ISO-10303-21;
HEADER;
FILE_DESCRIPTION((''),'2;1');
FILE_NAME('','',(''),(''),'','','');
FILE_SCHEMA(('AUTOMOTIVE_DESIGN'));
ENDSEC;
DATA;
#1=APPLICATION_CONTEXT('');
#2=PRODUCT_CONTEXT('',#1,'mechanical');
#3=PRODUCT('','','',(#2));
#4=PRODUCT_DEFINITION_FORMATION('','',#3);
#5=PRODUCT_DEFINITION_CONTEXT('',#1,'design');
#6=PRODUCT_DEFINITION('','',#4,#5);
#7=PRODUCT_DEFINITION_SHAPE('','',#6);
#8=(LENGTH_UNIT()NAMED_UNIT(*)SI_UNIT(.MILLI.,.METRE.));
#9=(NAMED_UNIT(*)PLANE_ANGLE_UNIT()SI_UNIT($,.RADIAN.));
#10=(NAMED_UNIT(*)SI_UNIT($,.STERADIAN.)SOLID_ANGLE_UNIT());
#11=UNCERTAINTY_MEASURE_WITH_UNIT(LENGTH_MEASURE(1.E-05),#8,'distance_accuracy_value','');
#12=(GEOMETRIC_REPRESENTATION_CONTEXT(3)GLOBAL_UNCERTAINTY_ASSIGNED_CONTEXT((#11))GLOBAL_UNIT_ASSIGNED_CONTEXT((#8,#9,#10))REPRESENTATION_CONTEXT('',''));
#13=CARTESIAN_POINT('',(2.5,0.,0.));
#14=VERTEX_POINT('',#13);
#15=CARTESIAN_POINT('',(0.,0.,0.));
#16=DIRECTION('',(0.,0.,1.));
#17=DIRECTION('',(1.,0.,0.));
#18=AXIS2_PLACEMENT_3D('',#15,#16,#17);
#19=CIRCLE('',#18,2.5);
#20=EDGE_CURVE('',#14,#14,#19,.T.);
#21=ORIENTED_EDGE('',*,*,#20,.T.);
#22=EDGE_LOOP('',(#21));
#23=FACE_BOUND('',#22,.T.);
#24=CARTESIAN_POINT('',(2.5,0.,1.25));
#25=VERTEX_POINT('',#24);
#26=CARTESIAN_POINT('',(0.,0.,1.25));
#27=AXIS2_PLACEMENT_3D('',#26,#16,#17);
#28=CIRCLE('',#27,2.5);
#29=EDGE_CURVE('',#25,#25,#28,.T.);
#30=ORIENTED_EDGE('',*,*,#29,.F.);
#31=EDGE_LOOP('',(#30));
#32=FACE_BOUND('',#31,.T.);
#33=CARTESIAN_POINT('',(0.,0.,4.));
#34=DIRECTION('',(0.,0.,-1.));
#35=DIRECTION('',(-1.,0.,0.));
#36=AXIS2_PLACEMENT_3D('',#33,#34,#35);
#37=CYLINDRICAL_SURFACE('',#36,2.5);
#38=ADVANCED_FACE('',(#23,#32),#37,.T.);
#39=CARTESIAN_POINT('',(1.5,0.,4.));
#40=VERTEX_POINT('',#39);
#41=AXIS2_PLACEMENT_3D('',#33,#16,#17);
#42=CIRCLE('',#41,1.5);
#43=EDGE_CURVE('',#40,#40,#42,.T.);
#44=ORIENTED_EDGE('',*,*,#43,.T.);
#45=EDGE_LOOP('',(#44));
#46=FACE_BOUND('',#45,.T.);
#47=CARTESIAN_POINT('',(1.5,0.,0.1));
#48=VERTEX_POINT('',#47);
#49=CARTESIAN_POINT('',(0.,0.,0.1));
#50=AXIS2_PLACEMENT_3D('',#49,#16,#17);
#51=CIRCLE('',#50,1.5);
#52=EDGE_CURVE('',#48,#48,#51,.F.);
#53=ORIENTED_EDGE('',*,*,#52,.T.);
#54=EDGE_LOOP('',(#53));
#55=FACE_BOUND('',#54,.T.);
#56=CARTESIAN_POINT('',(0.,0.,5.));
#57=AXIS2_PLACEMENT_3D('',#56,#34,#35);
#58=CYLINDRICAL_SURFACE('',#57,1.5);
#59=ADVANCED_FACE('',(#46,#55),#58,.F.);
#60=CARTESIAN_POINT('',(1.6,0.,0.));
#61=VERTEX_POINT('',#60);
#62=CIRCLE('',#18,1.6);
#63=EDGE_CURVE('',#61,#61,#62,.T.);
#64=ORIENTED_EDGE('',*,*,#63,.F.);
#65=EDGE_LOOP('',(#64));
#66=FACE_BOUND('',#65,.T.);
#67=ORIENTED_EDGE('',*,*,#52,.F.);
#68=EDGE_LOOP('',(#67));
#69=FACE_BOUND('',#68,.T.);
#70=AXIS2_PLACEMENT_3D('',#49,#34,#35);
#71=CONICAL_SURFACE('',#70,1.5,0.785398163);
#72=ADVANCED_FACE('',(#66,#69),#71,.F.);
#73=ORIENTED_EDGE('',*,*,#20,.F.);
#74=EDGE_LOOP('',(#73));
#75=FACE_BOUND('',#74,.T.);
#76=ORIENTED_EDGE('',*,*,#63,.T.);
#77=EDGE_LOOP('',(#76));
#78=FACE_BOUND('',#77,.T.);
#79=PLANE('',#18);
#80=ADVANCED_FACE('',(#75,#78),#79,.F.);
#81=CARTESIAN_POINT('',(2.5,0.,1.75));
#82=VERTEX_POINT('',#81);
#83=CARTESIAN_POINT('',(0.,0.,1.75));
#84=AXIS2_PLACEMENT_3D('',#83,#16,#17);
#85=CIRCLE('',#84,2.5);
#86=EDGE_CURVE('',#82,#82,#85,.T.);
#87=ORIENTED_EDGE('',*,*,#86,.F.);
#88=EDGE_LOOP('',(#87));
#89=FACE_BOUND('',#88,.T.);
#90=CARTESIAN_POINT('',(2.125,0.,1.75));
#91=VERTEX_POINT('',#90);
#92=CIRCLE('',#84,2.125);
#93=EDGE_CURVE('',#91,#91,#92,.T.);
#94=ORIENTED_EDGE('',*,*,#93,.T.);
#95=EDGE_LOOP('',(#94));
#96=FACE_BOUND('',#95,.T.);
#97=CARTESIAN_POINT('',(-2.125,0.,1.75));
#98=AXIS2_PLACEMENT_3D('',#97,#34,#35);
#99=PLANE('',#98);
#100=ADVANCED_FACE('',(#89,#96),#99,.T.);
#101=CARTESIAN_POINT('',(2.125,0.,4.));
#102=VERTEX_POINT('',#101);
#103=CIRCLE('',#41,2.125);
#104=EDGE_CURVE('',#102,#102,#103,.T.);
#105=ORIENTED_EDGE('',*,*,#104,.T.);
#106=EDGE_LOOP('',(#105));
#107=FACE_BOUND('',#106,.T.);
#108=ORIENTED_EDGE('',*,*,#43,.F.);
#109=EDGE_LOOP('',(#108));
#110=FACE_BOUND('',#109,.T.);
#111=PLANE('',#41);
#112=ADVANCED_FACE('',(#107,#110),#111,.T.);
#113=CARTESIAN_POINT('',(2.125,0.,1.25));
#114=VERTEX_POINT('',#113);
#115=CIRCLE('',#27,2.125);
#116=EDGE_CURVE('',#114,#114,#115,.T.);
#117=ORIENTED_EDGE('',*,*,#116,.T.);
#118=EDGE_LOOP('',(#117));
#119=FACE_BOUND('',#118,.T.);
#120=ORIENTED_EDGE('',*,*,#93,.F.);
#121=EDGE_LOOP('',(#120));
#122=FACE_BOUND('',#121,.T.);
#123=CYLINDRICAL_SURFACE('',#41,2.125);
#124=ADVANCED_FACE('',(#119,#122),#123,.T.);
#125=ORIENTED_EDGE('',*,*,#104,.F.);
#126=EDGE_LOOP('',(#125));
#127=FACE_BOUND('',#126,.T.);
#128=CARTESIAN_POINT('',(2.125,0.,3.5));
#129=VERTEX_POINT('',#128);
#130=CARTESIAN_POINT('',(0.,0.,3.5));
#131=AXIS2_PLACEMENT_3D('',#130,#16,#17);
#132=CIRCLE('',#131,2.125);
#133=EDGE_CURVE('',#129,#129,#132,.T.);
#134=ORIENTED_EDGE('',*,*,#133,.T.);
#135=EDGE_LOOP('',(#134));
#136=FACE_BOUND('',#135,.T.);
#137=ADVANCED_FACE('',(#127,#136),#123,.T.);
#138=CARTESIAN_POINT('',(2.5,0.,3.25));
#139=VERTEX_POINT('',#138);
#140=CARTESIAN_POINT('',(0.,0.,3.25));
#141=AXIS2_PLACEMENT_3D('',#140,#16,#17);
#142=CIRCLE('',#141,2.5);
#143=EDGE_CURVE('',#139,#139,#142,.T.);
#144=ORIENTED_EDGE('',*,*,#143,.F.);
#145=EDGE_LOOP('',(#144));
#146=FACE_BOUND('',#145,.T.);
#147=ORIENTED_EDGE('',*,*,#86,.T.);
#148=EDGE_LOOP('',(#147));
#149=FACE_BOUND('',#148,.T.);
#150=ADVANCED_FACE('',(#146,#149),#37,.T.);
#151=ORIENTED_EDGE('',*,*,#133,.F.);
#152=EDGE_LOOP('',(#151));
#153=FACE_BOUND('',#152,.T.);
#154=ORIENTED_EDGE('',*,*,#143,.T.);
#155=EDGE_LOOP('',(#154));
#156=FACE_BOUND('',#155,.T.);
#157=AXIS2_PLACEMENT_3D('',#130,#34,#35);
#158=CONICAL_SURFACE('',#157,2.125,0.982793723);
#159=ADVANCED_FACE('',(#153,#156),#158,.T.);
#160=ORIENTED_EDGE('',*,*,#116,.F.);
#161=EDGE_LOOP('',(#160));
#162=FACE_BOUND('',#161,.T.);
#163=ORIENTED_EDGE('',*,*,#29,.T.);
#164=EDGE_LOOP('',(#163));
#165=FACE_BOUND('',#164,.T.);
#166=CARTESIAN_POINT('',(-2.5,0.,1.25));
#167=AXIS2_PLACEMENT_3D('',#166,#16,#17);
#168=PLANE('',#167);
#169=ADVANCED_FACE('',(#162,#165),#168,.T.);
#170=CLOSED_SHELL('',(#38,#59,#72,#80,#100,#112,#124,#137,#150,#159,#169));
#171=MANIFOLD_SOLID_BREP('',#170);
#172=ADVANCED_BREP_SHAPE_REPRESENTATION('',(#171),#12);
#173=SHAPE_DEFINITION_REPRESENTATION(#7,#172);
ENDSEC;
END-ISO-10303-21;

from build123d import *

# Parameters (mm, degrees)
SKETCH1_R           = 2.5
BOSS_EXTRUDE1_DEPTH = 4
SKETCH3_R           = 1.5
CUT_EXTRUDE1_DEPTH  = 5
CHAMFER1_SIZE       = 0.1


with BuildPart() as part:
    # Sketch1 → Boss-Extrude1 (new body)
    with BuildSketch(Plane.XY):
        Circle(SKETCH1_R)
    extrude(amount=BOSS_EXTRUDE1_DEPTH)

    # Sketch2 → Cut-Revolve1 (revolve, cut)
    with BuildSketch(Plane(origin=(0, 0, 0), x_dir=(1, 0, 0), z_dir=(0, 1, 0)), mode=Mode.PRIVATE) as cut_revolve1_sk:
        Polygon((-2.125, -4), (-3, -4), (-3, 0), (-2.5, 0), (-2.5, -1.25), (-2.125, -1.25), (-2.125, -1.75), (-2.5, -1.75), (-2.5, -3.25), (-2.125, -3.5), align=None)
    revolve(cut_revolve1_sk.sketch.rotate(Axis((0, 0, 4), (0, 0, -1)), 180), axis=Axis((0, 0, 4), (0, 0, -1)), mode=Mode.SUBTRACT)

    # Sketch3 → Cut-Extrude1 (cut)
    with BuildSketch(Plane(origin=(0, 0, 0), x_dir=(-1, 0, 0), z_dir=(0, 0, -1))):
        Circle(SKETCH3_R)
    extrude(amount=-CUT_EXTRUDE1_DEPTH, mode=Mode.SUBTRACT)

    # Chamfer1
    chamfer1_edges = [part.edges().sort_by_distance(p)[0] for p in [
        (1.5, 0, 0),
    ]]
    chamfer(chamfer1_edges, length=CHAMFER1_SIZE)


solid = part.part
